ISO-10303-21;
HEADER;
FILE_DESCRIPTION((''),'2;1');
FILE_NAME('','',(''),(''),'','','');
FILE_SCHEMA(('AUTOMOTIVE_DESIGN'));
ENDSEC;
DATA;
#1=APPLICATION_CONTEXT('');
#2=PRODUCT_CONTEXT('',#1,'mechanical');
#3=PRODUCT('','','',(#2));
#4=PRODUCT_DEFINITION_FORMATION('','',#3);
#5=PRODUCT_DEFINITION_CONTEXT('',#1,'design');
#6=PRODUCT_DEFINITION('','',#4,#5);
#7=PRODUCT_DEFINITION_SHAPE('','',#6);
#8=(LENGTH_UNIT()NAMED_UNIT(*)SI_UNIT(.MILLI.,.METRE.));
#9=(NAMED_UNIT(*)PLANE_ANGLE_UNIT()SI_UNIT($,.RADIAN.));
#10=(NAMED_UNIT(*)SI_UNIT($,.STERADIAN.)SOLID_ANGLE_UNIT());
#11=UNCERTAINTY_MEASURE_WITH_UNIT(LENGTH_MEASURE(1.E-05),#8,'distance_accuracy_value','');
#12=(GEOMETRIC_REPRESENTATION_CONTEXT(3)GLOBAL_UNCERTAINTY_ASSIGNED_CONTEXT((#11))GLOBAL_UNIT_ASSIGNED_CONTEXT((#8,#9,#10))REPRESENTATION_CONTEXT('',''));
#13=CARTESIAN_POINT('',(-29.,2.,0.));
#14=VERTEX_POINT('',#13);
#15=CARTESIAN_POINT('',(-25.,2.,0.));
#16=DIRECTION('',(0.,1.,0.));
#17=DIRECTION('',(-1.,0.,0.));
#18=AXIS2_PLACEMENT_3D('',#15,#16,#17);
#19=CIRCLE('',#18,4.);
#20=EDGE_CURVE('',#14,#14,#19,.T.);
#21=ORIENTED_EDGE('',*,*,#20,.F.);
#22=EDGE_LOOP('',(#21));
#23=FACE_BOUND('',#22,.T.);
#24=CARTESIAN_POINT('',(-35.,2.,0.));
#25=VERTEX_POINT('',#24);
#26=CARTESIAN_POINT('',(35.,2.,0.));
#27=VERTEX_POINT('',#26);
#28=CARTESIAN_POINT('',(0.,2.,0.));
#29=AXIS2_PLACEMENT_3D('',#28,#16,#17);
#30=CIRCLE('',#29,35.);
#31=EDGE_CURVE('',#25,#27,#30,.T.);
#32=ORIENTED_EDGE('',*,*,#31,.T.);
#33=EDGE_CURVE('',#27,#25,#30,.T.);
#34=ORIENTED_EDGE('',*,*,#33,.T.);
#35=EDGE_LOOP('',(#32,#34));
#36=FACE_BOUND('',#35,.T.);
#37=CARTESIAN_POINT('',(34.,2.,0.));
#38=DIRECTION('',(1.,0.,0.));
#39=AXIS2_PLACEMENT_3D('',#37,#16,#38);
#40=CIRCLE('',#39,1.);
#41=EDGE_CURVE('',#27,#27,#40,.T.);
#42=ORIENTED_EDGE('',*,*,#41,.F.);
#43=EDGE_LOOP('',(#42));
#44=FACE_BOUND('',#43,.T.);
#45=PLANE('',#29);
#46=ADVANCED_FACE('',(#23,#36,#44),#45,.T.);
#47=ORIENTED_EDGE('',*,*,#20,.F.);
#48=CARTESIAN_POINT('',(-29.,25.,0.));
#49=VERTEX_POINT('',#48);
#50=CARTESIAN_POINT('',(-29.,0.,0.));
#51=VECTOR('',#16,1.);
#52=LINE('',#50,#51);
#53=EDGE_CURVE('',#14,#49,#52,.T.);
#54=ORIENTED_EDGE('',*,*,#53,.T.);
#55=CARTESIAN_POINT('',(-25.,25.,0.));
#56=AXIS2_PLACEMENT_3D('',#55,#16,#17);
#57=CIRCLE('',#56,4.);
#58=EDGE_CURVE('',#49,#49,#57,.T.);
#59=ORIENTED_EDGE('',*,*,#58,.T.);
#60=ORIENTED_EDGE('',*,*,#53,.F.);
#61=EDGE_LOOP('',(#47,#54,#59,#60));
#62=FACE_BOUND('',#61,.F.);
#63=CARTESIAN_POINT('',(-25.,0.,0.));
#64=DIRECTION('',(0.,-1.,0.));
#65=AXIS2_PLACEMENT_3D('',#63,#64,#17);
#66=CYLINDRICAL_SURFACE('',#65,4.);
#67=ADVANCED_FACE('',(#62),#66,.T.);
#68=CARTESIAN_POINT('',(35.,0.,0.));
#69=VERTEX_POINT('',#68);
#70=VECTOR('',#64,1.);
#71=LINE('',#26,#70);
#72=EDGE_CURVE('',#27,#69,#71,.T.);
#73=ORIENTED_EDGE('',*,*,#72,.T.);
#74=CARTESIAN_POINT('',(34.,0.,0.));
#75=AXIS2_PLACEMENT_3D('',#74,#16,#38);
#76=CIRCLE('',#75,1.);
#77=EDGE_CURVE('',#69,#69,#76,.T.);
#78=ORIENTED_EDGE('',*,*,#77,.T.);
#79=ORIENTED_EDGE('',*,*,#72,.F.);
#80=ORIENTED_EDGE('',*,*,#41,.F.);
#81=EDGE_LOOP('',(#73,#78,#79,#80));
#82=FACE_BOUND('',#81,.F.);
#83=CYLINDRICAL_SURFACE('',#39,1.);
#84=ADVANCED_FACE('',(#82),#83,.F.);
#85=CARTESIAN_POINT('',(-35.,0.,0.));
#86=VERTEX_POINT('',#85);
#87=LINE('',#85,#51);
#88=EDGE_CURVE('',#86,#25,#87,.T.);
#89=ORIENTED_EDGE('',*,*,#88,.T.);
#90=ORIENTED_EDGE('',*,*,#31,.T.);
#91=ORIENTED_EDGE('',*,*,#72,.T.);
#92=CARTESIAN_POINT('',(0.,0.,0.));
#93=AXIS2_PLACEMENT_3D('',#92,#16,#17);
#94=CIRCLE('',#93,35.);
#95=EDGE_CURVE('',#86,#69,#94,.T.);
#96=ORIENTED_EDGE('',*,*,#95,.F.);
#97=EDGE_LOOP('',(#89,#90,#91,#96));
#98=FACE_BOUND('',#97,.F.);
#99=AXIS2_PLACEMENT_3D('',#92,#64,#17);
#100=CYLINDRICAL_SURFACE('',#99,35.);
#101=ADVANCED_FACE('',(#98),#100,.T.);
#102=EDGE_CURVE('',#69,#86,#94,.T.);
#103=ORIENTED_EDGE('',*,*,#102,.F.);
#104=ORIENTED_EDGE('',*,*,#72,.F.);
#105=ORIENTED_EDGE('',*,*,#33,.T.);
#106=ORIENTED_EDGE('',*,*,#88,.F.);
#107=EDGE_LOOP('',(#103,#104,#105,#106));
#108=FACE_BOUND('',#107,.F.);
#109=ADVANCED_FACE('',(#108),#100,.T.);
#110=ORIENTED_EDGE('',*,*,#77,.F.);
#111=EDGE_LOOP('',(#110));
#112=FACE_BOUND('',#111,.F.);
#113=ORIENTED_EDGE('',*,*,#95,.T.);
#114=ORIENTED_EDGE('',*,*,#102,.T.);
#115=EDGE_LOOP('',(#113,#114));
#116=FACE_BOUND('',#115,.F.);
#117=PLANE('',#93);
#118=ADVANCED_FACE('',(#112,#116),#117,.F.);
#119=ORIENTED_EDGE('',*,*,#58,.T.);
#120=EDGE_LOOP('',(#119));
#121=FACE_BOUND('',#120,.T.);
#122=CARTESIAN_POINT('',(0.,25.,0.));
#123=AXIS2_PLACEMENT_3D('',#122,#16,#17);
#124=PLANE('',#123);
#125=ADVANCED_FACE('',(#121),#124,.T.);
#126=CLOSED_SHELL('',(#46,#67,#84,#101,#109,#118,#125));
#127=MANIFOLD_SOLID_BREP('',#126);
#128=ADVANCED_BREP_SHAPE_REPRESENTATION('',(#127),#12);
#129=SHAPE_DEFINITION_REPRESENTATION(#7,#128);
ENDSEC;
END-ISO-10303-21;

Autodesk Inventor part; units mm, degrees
ref_plane "YZ Plane" through (0, 0, 0) normal (1, 0, 0) x (0, 1, 0)
ref_plane "XZ Plane" through (0, 0, 0) normal (0, 1, 0) x (-1, 0, 0)
ref_plane "XY Plane" through (0, 0, 0) normal (0, 0, 1) x (1, 0, 0)
sketch "Sketch1" plane through (0, 0, 0) normal (0, 1, 0) x (-1, 0, 0)
  circle A0 centre (0, 0) radius 35
  circle A1 centre (25, 0) radius 4
  dimension "d0" = 70
  dimension "d1" = 8
  dimension "d2" = 25
extrude "Extrusion1" add sketch "Sketch1" along normal blind 2
extrude "Extrusion2" add sketch "Sketch1" along normal blind 25 contours A1
sketch "Sketch2" plane through (0, 2, 0) normal (0, 1, 0) x (1, 0, 0)
  point P0 (0, 0)
sketch "Sketch3" plane through (0, 2, 0) normal (0, 1, 0) x (1, 0, 0)
  circle A0 centre (34, 0) radius 1
  point P0 (0, 0)
  dimension "d7" = 2
  dimension "d8" = 34
extrude "Extrusion3" cut sketch "Sketch3" against normal through all
properties part number "Feul_ClosePlate"
